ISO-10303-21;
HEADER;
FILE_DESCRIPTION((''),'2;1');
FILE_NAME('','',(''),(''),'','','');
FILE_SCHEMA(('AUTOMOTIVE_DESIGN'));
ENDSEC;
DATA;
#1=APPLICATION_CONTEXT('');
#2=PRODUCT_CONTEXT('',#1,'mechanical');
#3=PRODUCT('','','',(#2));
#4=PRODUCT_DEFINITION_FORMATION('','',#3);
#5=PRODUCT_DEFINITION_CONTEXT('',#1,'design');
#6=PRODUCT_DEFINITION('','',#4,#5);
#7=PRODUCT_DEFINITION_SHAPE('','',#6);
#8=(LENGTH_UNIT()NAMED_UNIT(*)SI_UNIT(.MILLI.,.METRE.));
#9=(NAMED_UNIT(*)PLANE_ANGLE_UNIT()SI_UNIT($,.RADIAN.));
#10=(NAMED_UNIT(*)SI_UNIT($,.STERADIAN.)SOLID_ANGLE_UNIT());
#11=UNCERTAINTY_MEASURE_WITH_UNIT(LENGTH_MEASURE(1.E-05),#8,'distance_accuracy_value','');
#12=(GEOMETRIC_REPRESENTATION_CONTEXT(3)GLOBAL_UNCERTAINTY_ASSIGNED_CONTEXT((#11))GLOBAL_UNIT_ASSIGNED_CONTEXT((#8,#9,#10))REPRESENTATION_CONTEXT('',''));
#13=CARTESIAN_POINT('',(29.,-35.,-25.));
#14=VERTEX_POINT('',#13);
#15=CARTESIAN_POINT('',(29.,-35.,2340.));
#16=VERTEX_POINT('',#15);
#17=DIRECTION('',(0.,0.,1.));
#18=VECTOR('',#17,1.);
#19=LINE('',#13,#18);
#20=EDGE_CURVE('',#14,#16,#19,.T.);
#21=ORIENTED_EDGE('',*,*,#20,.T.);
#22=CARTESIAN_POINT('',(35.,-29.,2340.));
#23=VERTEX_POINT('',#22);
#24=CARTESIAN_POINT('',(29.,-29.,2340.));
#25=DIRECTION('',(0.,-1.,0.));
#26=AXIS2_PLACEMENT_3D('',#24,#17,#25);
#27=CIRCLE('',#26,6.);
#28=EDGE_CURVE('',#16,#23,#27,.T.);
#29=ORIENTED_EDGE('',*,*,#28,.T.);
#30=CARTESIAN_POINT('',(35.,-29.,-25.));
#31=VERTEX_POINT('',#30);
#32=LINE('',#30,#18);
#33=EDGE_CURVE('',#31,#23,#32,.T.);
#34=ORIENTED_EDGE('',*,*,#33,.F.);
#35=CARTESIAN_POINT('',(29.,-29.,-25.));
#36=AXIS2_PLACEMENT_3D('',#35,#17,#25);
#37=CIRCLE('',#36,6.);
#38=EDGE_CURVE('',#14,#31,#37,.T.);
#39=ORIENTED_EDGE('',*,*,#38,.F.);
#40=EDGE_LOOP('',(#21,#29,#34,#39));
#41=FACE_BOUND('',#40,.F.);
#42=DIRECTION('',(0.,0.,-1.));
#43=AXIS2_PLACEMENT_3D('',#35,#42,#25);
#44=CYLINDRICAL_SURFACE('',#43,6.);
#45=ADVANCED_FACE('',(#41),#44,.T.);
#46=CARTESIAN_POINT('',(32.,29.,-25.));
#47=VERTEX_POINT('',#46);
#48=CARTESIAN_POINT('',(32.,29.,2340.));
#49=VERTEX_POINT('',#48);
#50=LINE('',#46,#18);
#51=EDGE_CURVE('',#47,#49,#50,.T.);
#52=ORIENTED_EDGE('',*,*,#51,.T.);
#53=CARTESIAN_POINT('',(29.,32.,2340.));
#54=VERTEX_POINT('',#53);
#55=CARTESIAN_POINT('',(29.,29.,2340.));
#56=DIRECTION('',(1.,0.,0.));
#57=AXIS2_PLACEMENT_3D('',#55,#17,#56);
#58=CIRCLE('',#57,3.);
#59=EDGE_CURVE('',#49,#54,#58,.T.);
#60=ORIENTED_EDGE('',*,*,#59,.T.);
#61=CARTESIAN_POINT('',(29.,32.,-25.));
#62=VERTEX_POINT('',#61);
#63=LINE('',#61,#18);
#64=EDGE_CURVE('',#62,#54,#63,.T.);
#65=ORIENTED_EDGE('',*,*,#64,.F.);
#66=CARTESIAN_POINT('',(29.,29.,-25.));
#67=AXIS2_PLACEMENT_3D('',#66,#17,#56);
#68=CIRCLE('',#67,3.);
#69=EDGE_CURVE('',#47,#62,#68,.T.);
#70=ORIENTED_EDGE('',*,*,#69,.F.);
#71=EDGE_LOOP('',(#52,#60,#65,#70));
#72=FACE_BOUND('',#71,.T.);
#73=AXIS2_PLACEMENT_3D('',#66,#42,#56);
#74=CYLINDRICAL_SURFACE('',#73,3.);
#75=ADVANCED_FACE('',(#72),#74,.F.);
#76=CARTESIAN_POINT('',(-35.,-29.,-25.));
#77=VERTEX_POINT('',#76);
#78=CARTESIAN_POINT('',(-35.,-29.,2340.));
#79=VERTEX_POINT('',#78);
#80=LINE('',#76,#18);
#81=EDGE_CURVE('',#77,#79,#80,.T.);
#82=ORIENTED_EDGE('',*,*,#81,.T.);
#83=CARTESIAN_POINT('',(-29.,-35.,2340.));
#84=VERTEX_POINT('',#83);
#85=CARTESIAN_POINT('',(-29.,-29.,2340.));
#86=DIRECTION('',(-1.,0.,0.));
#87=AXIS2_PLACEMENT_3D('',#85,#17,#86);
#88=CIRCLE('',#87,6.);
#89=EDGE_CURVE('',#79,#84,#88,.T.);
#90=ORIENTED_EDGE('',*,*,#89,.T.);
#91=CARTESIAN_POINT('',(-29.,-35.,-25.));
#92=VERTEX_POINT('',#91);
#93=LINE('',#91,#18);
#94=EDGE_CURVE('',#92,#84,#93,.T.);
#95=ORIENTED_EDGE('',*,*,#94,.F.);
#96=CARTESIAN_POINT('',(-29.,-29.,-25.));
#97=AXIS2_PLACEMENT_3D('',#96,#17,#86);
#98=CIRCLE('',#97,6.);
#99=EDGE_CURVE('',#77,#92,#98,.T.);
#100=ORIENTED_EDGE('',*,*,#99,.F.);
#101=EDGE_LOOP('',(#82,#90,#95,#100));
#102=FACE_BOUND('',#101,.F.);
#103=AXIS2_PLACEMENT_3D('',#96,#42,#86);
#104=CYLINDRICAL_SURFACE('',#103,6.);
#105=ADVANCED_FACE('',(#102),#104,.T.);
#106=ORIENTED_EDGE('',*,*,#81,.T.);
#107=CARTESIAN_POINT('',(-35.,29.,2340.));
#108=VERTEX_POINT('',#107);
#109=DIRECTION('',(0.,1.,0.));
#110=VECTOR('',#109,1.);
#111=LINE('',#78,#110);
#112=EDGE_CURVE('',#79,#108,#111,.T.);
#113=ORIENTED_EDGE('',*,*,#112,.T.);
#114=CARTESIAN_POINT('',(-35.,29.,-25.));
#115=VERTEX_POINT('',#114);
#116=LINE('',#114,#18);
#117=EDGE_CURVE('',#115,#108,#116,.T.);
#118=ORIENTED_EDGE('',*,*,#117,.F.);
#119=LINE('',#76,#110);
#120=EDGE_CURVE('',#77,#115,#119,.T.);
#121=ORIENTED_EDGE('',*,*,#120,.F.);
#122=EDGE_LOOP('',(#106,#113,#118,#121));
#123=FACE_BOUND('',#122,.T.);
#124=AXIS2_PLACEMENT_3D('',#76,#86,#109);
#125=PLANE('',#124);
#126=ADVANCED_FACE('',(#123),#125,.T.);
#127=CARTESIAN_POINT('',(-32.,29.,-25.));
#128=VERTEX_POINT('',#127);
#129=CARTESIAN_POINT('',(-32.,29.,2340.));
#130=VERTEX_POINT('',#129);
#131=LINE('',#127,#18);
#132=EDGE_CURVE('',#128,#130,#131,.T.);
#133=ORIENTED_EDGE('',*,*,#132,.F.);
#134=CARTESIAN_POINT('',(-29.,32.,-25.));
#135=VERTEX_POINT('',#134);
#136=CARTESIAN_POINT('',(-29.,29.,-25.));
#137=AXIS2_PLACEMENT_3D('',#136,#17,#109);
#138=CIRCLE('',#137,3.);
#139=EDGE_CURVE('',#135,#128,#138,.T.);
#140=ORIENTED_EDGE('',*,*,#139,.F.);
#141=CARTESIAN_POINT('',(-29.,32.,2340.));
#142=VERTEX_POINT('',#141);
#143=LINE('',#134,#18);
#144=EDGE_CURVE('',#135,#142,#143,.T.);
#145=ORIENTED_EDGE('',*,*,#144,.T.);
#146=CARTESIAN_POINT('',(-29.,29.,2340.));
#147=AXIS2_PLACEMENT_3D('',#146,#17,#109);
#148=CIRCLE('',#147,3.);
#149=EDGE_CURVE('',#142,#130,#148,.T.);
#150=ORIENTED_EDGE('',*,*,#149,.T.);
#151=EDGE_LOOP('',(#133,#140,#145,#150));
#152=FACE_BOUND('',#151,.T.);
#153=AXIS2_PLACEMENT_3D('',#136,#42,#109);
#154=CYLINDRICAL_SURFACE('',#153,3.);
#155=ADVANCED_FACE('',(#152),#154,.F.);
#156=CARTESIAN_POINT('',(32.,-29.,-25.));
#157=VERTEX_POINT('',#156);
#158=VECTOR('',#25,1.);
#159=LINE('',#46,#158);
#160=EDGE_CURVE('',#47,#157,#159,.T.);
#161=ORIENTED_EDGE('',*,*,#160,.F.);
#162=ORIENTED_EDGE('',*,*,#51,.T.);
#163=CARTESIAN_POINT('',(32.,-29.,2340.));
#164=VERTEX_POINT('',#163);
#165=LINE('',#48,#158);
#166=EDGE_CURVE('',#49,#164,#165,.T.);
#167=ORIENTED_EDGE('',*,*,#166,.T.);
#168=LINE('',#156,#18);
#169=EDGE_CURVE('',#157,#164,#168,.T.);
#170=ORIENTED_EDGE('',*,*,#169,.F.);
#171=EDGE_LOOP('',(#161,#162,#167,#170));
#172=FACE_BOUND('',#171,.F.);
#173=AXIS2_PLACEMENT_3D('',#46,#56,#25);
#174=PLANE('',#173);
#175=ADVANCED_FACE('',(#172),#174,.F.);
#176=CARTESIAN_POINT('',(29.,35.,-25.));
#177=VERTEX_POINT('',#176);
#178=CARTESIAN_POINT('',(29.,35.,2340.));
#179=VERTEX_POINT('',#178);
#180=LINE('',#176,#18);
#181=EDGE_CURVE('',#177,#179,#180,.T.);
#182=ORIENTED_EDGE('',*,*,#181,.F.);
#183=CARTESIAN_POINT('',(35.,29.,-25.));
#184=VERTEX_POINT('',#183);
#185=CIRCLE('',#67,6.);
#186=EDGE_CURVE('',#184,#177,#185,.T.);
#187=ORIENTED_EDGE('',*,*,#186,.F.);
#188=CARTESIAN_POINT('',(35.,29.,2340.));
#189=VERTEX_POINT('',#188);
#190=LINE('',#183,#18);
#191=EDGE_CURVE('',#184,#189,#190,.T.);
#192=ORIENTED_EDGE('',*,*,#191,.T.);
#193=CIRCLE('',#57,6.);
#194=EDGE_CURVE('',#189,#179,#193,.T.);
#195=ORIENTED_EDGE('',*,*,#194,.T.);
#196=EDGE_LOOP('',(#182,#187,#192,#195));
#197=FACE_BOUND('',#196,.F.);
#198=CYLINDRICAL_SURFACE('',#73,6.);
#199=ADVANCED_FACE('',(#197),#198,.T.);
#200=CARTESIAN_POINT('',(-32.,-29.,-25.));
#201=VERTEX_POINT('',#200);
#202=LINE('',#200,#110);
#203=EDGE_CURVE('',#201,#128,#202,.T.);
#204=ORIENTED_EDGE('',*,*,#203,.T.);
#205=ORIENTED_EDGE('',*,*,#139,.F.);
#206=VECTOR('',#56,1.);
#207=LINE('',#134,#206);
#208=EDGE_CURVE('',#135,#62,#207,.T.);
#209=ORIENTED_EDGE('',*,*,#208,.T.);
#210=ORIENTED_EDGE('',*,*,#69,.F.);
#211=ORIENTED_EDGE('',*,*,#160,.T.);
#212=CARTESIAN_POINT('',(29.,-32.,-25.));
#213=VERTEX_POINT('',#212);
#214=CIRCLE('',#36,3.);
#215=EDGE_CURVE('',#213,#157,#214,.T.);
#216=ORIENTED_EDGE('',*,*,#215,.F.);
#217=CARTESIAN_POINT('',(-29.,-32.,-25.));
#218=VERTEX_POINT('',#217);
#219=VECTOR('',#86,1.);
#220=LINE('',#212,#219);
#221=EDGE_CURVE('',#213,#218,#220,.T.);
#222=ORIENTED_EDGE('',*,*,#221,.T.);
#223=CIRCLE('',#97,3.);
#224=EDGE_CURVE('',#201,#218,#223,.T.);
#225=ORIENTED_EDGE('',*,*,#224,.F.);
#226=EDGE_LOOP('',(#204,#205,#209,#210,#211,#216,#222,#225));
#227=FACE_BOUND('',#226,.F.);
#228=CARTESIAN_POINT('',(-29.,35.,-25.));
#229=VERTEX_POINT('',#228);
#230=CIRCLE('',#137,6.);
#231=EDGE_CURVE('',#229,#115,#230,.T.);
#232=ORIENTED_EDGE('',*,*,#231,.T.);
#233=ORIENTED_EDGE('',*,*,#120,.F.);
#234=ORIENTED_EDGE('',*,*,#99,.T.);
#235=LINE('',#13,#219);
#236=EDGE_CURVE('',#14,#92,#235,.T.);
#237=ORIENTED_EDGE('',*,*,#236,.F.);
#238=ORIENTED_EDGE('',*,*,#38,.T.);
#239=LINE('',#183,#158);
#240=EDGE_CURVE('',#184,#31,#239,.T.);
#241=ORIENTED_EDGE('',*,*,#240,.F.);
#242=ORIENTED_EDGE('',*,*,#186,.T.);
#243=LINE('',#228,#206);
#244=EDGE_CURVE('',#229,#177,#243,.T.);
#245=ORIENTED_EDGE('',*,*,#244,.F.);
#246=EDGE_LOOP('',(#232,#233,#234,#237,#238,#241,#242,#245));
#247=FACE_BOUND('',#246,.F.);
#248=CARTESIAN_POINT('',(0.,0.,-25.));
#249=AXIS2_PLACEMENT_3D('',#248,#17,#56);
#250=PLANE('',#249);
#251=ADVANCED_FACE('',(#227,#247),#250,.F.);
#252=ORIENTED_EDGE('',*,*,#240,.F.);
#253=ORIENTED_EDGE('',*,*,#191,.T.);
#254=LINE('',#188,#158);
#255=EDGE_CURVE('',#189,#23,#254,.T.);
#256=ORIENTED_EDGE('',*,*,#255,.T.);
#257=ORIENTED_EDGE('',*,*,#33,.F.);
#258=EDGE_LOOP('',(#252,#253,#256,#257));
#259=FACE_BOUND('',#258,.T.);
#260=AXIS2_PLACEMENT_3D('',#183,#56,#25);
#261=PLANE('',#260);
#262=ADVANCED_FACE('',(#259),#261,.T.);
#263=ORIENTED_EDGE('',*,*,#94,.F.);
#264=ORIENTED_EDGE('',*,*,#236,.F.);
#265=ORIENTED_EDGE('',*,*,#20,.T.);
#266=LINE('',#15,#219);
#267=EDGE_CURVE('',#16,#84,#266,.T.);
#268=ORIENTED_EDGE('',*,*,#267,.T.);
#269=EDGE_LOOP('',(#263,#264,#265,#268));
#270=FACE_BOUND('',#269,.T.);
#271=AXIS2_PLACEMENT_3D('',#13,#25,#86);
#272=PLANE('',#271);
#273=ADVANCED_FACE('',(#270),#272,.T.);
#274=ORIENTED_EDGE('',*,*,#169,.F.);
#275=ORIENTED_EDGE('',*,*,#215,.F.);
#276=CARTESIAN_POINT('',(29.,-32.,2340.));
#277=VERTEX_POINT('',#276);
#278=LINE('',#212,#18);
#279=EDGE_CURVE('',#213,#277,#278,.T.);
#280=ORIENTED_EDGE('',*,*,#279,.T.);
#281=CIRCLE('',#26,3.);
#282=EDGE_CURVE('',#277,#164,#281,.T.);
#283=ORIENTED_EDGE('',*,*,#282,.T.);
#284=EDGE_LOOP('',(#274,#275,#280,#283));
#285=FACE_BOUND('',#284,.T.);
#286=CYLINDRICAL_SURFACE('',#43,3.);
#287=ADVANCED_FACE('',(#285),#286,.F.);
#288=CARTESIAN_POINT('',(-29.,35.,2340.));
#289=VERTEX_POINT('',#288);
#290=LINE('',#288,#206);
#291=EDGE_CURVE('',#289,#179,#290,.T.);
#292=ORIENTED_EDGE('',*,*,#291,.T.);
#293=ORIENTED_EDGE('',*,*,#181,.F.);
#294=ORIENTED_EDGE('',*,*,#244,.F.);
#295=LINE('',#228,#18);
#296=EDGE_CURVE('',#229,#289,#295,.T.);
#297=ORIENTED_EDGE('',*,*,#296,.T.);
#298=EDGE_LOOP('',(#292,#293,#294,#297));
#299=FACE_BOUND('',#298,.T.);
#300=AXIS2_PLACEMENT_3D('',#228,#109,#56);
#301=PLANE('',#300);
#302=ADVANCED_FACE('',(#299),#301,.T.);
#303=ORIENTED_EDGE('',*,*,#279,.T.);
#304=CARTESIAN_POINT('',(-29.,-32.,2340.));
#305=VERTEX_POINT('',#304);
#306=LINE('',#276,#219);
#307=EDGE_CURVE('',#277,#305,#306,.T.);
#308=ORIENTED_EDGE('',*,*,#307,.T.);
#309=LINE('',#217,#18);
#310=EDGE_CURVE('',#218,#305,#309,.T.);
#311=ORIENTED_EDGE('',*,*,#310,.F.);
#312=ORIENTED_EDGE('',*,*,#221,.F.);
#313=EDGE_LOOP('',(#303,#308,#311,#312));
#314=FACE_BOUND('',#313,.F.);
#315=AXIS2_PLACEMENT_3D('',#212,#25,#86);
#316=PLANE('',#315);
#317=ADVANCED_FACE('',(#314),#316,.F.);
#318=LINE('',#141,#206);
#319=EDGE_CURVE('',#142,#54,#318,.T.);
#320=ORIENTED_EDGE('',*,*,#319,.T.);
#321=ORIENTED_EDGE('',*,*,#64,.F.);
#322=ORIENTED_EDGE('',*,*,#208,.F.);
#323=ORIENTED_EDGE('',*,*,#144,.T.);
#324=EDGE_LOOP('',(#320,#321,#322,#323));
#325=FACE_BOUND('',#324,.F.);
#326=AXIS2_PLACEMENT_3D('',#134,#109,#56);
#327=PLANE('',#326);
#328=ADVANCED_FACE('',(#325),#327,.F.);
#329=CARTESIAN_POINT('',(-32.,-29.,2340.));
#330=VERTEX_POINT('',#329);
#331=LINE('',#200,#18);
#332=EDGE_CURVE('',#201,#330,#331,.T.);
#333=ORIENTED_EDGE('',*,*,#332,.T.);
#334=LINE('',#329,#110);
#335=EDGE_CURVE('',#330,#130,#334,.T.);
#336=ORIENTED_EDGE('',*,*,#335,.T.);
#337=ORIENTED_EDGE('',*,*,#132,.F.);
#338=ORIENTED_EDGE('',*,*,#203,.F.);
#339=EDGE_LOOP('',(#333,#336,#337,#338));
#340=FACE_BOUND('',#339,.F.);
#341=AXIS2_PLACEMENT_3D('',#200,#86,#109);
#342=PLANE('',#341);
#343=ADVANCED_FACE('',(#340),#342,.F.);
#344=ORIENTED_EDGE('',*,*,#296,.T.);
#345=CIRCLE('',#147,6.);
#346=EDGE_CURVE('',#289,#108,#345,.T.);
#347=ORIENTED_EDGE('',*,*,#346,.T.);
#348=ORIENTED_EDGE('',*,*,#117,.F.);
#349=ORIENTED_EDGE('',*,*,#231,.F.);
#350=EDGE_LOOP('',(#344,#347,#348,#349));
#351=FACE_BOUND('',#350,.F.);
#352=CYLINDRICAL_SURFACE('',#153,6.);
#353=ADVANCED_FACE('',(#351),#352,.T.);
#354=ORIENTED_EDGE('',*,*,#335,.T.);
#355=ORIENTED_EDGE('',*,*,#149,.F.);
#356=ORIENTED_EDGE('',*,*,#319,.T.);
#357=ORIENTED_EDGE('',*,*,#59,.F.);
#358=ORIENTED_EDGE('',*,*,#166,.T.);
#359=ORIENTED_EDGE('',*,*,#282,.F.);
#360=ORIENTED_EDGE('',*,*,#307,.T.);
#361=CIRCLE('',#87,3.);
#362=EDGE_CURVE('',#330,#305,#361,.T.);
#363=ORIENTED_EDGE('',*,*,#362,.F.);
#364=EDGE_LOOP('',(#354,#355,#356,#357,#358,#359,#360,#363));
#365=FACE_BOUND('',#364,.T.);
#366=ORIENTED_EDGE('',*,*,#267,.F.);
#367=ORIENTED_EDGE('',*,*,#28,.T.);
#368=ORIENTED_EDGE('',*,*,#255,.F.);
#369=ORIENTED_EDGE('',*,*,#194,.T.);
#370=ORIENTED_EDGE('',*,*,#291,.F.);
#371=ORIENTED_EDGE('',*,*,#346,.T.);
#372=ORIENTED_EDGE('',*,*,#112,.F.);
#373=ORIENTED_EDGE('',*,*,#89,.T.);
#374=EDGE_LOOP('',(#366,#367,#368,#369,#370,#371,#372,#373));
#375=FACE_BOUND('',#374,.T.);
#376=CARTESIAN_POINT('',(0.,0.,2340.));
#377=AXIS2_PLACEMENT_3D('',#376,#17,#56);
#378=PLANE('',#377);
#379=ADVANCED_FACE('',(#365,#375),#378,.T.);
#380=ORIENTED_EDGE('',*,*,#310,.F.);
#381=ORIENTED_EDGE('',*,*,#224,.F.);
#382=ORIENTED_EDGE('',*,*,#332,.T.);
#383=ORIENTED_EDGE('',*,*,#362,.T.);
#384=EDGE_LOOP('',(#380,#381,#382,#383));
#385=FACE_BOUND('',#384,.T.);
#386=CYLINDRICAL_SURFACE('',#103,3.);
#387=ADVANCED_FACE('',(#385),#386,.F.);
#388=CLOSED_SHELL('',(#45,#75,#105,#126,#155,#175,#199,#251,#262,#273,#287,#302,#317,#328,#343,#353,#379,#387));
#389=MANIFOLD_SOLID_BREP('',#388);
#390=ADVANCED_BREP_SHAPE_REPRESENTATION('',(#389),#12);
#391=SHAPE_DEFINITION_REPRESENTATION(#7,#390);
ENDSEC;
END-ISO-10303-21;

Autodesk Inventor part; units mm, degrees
ref_plane "Plano inicial" through (0, 0, -25) normal (0, 0, 1) x (1, 0, 0)
ref_plane "Plano final" through (0, 0, 2340) normal (0, 0, 1) x (1, 0, 0)
sketch "Boceto" plane through (0, 0, 0) normal (0, 0, 1) x (1, 0, 0)
  line L0 (-35, -29) -> (-35, 29)
  line L1 (-29, 35) -> (29, 35)
  line L2 (35, 29) -> (35, -29)
  line L3 (29, -35) -> (-29, -35)
  arc A0 (-35, -29) -> (-29, -35) centre (-29, -29) ccw
  arc A1 (35, 29) -> (29, 35) centre (29, 29) ccw
  arc A2 (-29, 35) -> (-35, 29) centre (-29, 29) ccw
  arc A3 (29, -35) -> (35, -29) centre (29, -29) ccw
  arc A4 (-29, 32) -> (-32, 29) centre (-29, 29) ccw
  line L4 (-29, 32) -> (29, 32)
  arc A5 (32, 29) -> (29, 32) centre (29, 29) ccw
  line L5 (32, 29) -> (32, -29)
  arc A6 (29, -32) -> (32, -29) centre (29, -29) ccw
  line L6 (29, -32) -> (-29, -32)
  arc A7 (-32, -29) -> (-29, -32) centre (-29, -29) ccw
  line L7 (-32, -29) -> (-32, 29)
  line L8 (0, 50.7397) -> (0, -50.7397) construction
  line L9 (-50.7397, 0) -> (50.7397, 0) construction
  dimension "d7" = 6
  dimension "d9" = 70
  dimension "d11" = 70
  dimension "d12" = 3
  dimension "d15" = 35
  dimension "d16" = 35
extrude "Cuerpo" add sketch "Boceto" along normal up to surface (2365 mm away) from surface at -25
sketch "Sketch3" plane through (0, 0, 0) normal (0, 0, 1) x (1, 0, 0)
  line L0 (0, 0) -> (10, 0)
ref_plane "Work Plane3" through (0, 0, 0) normal (0, -1, 0) x (1, 0, 0)
sketch "Sketch4" plane through (0, 0, 0) normal (0, -1, 0) x (1, 0, 0)
  line L0 (-2, -25) -> (12, -25)
  line L1 (-2, 2340) -> (12, 2340)
  dimension "d18" = 2365
ref_plane "Plano de trabajo4" through (0, -21, -25) normal (0, 0, -1) x (-1, 0, 0)
split "Dividir1" plane through (0, -21, -25) removes the side toward (0, 0, -1)
ref_plane "Plano de trabajo5" through (-500, -21, 2340) normal (0, 0, 1) x (1, 0, 0)
split "Dividir2" plane through (-500, -21, 2340) removes the side toward (0, 0, 1)
equation "\"d7\" = G_IR"
equation "\"d9\" = G_W"
equation "\"d11\" = G_H"
equation "\"d12\" = G_T"
equation "\"d15\" = 0.5 * d9"
equation "\"d16\" = 0.5 * d11"
equation "\"d3\" = G_L"
equation "\"G_W\" = 70"
equation "\"G_H\" = 70"
equation "\"G_T\" = 3"
equation "\"G_IR\" = 6"
equation "\"G_L\" = d18"
equation "\"G_OFFSET_START\" = 25"
equation "\"G_OFFSET_END\" = 25"
equation "\"d13\" = -G_OFFSET_START"
equation "\"B_L\" = 2315"
properties part number "ISO 10799-2 - 70x70x3 - 2365" material "Galvanizado catalogo 2"
